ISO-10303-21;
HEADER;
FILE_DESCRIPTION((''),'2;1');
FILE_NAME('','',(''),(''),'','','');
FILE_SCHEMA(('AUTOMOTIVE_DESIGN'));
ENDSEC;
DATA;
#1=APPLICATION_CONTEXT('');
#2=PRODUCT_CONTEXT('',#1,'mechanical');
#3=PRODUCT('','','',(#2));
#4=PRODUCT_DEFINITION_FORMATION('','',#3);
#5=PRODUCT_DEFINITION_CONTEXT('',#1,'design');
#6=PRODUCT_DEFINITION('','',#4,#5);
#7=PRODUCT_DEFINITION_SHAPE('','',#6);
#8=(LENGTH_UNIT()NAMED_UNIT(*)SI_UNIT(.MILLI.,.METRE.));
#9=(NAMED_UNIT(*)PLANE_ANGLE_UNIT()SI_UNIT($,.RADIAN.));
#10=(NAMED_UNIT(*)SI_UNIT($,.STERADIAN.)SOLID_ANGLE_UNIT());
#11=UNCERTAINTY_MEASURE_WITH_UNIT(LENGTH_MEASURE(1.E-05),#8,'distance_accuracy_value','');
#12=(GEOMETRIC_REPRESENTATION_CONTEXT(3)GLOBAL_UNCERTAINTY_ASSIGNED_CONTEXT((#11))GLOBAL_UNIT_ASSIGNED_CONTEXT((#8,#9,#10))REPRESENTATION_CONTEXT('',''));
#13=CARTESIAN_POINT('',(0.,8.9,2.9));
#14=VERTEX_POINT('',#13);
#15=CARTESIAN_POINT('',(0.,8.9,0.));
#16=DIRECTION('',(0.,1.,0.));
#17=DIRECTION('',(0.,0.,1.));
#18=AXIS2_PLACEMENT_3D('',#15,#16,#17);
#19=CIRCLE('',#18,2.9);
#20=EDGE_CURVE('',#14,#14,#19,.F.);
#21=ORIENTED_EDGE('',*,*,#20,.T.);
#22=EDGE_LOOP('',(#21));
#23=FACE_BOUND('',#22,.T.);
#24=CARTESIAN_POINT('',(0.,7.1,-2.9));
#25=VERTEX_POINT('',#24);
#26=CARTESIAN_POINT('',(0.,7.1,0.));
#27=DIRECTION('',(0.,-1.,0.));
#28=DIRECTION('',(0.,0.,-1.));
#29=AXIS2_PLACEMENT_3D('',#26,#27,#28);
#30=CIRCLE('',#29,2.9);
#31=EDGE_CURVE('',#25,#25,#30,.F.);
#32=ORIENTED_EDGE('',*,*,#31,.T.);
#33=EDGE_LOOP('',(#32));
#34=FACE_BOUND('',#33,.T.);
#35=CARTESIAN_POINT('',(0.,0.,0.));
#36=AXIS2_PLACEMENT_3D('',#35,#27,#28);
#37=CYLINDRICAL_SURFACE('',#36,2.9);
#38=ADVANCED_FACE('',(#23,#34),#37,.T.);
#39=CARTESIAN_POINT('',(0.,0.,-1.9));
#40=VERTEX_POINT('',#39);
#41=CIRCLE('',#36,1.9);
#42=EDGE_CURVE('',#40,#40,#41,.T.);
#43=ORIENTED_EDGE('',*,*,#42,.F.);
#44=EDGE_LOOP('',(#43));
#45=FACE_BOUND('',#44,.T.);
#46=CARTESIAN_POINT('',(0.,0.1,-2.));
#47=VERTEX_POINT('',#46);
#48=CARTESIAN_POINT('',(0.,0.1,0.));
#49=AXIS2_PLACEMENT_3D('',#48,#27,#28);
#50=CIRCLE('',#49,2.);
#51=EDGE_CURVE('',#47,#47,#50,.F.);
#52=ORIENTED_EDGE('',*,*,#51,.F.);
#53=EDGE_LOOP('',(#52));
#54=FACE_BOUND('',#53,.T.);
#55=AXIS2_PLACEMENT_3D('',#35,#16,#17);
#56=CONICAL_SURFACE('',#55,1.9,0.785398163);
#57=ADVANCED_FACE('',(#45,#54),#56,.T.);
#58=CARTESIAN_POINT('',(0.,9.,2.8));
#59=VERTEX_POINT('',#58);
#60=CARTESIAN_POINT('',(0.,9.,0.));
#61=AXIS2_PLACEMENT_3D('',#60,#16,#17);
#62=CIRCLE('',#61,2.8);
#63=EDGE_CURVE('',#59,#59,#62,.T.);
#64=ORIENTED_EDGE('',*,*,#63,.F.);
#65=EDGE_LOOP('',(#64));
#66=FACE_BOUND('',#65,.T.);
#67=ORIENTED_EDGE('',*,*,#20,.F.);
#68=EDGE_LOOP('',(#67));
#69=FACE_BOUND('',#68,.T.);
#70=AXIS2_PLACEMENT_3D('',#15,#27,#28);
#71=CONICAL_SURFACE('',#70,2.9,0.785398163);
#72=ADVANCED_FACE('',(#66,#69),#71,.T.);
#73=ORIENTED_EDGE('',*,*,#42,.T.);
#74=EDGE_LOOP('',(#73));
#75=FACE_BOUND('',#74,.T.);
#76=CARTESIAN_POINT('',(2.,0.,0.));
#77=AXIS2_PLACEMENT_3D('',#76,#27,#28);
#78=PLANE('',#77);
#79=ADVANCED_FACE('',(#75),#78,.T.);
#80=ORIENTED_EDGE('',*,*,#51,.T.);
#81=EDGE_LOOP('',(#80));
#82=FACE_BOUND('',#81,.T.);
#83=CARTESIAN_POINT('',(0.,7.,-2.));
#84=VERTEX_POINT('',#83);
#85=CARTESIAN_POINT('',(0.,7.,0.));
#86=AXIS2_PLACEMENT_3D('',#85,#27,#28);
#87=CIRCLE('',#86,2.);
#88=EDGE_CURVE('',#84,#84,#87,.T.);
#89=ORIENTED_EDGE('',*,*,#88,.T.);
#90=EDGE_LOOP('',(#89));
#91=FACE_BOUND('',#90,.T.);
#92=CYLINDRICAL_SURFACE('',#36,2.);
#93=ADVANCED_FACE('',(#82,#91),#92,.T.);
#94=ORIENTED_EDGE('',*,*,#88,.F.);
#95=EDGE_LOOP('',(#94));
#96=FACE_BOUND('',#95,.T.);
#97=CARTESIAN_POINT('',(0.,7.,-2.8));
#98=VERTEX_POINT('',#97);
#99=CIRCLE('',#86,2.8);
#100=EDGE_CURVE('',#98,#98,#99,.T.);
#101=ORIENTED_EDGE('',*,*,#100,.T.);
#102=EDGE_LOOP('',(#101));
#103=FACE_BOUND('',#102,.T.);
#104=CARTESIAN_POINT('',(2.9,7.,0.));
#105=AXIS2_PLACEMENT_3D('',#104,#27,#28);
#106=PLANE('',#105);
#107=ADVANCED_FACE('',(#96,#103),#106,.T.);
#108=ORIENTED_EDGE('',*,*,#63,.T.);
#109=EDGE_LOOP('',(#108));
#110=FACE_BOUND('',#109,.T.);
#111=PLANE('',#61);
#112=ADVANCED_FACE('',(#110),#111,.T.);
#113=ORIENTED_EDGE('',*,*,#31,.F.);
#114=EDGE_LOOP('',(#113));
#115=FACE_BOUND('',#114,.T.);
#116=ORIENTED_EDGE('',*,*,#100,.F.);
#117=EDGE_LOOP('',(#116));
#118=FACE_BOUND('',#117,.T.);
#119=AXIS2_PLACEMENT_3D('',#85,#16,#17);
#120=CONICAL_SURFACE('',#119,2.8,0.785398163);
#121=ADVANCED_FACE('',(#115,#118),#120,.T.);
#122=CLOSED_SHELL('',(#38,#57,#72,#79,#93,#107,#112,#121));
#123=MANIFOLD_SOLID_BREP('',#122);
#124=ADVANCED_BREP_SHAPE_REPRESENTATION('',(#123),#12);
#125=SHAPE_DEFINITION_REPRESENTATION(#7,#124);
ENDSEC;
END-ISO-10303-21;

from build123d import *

# Parameters (mm, degrees)
CHAMFER1_SIZE = 0.1


with BuildPart() as part:
    # Sketch1 → Revolve1 (revolve)
    with BuildSketch(Plane.XY):
        Polygon((0, 0), (0, 9), (2.9, 9), (2.9, 7), (2, 7), (2, 0), align=None)
    revolve(axis=Axis((0, 0, 0), (0, 1, 0)))

    # Chamfer1
    chamfer1_edges = [part.edges().sort_by_distance(p)[0] for p in [
        (-2, 0, 0),
        (-2.9, 7, 0),
        (-2.9, 9, 0),
    ]]
    chamfer(chamfer1_edges, length=CHAMFER1_SIZE)


solid = part.part
